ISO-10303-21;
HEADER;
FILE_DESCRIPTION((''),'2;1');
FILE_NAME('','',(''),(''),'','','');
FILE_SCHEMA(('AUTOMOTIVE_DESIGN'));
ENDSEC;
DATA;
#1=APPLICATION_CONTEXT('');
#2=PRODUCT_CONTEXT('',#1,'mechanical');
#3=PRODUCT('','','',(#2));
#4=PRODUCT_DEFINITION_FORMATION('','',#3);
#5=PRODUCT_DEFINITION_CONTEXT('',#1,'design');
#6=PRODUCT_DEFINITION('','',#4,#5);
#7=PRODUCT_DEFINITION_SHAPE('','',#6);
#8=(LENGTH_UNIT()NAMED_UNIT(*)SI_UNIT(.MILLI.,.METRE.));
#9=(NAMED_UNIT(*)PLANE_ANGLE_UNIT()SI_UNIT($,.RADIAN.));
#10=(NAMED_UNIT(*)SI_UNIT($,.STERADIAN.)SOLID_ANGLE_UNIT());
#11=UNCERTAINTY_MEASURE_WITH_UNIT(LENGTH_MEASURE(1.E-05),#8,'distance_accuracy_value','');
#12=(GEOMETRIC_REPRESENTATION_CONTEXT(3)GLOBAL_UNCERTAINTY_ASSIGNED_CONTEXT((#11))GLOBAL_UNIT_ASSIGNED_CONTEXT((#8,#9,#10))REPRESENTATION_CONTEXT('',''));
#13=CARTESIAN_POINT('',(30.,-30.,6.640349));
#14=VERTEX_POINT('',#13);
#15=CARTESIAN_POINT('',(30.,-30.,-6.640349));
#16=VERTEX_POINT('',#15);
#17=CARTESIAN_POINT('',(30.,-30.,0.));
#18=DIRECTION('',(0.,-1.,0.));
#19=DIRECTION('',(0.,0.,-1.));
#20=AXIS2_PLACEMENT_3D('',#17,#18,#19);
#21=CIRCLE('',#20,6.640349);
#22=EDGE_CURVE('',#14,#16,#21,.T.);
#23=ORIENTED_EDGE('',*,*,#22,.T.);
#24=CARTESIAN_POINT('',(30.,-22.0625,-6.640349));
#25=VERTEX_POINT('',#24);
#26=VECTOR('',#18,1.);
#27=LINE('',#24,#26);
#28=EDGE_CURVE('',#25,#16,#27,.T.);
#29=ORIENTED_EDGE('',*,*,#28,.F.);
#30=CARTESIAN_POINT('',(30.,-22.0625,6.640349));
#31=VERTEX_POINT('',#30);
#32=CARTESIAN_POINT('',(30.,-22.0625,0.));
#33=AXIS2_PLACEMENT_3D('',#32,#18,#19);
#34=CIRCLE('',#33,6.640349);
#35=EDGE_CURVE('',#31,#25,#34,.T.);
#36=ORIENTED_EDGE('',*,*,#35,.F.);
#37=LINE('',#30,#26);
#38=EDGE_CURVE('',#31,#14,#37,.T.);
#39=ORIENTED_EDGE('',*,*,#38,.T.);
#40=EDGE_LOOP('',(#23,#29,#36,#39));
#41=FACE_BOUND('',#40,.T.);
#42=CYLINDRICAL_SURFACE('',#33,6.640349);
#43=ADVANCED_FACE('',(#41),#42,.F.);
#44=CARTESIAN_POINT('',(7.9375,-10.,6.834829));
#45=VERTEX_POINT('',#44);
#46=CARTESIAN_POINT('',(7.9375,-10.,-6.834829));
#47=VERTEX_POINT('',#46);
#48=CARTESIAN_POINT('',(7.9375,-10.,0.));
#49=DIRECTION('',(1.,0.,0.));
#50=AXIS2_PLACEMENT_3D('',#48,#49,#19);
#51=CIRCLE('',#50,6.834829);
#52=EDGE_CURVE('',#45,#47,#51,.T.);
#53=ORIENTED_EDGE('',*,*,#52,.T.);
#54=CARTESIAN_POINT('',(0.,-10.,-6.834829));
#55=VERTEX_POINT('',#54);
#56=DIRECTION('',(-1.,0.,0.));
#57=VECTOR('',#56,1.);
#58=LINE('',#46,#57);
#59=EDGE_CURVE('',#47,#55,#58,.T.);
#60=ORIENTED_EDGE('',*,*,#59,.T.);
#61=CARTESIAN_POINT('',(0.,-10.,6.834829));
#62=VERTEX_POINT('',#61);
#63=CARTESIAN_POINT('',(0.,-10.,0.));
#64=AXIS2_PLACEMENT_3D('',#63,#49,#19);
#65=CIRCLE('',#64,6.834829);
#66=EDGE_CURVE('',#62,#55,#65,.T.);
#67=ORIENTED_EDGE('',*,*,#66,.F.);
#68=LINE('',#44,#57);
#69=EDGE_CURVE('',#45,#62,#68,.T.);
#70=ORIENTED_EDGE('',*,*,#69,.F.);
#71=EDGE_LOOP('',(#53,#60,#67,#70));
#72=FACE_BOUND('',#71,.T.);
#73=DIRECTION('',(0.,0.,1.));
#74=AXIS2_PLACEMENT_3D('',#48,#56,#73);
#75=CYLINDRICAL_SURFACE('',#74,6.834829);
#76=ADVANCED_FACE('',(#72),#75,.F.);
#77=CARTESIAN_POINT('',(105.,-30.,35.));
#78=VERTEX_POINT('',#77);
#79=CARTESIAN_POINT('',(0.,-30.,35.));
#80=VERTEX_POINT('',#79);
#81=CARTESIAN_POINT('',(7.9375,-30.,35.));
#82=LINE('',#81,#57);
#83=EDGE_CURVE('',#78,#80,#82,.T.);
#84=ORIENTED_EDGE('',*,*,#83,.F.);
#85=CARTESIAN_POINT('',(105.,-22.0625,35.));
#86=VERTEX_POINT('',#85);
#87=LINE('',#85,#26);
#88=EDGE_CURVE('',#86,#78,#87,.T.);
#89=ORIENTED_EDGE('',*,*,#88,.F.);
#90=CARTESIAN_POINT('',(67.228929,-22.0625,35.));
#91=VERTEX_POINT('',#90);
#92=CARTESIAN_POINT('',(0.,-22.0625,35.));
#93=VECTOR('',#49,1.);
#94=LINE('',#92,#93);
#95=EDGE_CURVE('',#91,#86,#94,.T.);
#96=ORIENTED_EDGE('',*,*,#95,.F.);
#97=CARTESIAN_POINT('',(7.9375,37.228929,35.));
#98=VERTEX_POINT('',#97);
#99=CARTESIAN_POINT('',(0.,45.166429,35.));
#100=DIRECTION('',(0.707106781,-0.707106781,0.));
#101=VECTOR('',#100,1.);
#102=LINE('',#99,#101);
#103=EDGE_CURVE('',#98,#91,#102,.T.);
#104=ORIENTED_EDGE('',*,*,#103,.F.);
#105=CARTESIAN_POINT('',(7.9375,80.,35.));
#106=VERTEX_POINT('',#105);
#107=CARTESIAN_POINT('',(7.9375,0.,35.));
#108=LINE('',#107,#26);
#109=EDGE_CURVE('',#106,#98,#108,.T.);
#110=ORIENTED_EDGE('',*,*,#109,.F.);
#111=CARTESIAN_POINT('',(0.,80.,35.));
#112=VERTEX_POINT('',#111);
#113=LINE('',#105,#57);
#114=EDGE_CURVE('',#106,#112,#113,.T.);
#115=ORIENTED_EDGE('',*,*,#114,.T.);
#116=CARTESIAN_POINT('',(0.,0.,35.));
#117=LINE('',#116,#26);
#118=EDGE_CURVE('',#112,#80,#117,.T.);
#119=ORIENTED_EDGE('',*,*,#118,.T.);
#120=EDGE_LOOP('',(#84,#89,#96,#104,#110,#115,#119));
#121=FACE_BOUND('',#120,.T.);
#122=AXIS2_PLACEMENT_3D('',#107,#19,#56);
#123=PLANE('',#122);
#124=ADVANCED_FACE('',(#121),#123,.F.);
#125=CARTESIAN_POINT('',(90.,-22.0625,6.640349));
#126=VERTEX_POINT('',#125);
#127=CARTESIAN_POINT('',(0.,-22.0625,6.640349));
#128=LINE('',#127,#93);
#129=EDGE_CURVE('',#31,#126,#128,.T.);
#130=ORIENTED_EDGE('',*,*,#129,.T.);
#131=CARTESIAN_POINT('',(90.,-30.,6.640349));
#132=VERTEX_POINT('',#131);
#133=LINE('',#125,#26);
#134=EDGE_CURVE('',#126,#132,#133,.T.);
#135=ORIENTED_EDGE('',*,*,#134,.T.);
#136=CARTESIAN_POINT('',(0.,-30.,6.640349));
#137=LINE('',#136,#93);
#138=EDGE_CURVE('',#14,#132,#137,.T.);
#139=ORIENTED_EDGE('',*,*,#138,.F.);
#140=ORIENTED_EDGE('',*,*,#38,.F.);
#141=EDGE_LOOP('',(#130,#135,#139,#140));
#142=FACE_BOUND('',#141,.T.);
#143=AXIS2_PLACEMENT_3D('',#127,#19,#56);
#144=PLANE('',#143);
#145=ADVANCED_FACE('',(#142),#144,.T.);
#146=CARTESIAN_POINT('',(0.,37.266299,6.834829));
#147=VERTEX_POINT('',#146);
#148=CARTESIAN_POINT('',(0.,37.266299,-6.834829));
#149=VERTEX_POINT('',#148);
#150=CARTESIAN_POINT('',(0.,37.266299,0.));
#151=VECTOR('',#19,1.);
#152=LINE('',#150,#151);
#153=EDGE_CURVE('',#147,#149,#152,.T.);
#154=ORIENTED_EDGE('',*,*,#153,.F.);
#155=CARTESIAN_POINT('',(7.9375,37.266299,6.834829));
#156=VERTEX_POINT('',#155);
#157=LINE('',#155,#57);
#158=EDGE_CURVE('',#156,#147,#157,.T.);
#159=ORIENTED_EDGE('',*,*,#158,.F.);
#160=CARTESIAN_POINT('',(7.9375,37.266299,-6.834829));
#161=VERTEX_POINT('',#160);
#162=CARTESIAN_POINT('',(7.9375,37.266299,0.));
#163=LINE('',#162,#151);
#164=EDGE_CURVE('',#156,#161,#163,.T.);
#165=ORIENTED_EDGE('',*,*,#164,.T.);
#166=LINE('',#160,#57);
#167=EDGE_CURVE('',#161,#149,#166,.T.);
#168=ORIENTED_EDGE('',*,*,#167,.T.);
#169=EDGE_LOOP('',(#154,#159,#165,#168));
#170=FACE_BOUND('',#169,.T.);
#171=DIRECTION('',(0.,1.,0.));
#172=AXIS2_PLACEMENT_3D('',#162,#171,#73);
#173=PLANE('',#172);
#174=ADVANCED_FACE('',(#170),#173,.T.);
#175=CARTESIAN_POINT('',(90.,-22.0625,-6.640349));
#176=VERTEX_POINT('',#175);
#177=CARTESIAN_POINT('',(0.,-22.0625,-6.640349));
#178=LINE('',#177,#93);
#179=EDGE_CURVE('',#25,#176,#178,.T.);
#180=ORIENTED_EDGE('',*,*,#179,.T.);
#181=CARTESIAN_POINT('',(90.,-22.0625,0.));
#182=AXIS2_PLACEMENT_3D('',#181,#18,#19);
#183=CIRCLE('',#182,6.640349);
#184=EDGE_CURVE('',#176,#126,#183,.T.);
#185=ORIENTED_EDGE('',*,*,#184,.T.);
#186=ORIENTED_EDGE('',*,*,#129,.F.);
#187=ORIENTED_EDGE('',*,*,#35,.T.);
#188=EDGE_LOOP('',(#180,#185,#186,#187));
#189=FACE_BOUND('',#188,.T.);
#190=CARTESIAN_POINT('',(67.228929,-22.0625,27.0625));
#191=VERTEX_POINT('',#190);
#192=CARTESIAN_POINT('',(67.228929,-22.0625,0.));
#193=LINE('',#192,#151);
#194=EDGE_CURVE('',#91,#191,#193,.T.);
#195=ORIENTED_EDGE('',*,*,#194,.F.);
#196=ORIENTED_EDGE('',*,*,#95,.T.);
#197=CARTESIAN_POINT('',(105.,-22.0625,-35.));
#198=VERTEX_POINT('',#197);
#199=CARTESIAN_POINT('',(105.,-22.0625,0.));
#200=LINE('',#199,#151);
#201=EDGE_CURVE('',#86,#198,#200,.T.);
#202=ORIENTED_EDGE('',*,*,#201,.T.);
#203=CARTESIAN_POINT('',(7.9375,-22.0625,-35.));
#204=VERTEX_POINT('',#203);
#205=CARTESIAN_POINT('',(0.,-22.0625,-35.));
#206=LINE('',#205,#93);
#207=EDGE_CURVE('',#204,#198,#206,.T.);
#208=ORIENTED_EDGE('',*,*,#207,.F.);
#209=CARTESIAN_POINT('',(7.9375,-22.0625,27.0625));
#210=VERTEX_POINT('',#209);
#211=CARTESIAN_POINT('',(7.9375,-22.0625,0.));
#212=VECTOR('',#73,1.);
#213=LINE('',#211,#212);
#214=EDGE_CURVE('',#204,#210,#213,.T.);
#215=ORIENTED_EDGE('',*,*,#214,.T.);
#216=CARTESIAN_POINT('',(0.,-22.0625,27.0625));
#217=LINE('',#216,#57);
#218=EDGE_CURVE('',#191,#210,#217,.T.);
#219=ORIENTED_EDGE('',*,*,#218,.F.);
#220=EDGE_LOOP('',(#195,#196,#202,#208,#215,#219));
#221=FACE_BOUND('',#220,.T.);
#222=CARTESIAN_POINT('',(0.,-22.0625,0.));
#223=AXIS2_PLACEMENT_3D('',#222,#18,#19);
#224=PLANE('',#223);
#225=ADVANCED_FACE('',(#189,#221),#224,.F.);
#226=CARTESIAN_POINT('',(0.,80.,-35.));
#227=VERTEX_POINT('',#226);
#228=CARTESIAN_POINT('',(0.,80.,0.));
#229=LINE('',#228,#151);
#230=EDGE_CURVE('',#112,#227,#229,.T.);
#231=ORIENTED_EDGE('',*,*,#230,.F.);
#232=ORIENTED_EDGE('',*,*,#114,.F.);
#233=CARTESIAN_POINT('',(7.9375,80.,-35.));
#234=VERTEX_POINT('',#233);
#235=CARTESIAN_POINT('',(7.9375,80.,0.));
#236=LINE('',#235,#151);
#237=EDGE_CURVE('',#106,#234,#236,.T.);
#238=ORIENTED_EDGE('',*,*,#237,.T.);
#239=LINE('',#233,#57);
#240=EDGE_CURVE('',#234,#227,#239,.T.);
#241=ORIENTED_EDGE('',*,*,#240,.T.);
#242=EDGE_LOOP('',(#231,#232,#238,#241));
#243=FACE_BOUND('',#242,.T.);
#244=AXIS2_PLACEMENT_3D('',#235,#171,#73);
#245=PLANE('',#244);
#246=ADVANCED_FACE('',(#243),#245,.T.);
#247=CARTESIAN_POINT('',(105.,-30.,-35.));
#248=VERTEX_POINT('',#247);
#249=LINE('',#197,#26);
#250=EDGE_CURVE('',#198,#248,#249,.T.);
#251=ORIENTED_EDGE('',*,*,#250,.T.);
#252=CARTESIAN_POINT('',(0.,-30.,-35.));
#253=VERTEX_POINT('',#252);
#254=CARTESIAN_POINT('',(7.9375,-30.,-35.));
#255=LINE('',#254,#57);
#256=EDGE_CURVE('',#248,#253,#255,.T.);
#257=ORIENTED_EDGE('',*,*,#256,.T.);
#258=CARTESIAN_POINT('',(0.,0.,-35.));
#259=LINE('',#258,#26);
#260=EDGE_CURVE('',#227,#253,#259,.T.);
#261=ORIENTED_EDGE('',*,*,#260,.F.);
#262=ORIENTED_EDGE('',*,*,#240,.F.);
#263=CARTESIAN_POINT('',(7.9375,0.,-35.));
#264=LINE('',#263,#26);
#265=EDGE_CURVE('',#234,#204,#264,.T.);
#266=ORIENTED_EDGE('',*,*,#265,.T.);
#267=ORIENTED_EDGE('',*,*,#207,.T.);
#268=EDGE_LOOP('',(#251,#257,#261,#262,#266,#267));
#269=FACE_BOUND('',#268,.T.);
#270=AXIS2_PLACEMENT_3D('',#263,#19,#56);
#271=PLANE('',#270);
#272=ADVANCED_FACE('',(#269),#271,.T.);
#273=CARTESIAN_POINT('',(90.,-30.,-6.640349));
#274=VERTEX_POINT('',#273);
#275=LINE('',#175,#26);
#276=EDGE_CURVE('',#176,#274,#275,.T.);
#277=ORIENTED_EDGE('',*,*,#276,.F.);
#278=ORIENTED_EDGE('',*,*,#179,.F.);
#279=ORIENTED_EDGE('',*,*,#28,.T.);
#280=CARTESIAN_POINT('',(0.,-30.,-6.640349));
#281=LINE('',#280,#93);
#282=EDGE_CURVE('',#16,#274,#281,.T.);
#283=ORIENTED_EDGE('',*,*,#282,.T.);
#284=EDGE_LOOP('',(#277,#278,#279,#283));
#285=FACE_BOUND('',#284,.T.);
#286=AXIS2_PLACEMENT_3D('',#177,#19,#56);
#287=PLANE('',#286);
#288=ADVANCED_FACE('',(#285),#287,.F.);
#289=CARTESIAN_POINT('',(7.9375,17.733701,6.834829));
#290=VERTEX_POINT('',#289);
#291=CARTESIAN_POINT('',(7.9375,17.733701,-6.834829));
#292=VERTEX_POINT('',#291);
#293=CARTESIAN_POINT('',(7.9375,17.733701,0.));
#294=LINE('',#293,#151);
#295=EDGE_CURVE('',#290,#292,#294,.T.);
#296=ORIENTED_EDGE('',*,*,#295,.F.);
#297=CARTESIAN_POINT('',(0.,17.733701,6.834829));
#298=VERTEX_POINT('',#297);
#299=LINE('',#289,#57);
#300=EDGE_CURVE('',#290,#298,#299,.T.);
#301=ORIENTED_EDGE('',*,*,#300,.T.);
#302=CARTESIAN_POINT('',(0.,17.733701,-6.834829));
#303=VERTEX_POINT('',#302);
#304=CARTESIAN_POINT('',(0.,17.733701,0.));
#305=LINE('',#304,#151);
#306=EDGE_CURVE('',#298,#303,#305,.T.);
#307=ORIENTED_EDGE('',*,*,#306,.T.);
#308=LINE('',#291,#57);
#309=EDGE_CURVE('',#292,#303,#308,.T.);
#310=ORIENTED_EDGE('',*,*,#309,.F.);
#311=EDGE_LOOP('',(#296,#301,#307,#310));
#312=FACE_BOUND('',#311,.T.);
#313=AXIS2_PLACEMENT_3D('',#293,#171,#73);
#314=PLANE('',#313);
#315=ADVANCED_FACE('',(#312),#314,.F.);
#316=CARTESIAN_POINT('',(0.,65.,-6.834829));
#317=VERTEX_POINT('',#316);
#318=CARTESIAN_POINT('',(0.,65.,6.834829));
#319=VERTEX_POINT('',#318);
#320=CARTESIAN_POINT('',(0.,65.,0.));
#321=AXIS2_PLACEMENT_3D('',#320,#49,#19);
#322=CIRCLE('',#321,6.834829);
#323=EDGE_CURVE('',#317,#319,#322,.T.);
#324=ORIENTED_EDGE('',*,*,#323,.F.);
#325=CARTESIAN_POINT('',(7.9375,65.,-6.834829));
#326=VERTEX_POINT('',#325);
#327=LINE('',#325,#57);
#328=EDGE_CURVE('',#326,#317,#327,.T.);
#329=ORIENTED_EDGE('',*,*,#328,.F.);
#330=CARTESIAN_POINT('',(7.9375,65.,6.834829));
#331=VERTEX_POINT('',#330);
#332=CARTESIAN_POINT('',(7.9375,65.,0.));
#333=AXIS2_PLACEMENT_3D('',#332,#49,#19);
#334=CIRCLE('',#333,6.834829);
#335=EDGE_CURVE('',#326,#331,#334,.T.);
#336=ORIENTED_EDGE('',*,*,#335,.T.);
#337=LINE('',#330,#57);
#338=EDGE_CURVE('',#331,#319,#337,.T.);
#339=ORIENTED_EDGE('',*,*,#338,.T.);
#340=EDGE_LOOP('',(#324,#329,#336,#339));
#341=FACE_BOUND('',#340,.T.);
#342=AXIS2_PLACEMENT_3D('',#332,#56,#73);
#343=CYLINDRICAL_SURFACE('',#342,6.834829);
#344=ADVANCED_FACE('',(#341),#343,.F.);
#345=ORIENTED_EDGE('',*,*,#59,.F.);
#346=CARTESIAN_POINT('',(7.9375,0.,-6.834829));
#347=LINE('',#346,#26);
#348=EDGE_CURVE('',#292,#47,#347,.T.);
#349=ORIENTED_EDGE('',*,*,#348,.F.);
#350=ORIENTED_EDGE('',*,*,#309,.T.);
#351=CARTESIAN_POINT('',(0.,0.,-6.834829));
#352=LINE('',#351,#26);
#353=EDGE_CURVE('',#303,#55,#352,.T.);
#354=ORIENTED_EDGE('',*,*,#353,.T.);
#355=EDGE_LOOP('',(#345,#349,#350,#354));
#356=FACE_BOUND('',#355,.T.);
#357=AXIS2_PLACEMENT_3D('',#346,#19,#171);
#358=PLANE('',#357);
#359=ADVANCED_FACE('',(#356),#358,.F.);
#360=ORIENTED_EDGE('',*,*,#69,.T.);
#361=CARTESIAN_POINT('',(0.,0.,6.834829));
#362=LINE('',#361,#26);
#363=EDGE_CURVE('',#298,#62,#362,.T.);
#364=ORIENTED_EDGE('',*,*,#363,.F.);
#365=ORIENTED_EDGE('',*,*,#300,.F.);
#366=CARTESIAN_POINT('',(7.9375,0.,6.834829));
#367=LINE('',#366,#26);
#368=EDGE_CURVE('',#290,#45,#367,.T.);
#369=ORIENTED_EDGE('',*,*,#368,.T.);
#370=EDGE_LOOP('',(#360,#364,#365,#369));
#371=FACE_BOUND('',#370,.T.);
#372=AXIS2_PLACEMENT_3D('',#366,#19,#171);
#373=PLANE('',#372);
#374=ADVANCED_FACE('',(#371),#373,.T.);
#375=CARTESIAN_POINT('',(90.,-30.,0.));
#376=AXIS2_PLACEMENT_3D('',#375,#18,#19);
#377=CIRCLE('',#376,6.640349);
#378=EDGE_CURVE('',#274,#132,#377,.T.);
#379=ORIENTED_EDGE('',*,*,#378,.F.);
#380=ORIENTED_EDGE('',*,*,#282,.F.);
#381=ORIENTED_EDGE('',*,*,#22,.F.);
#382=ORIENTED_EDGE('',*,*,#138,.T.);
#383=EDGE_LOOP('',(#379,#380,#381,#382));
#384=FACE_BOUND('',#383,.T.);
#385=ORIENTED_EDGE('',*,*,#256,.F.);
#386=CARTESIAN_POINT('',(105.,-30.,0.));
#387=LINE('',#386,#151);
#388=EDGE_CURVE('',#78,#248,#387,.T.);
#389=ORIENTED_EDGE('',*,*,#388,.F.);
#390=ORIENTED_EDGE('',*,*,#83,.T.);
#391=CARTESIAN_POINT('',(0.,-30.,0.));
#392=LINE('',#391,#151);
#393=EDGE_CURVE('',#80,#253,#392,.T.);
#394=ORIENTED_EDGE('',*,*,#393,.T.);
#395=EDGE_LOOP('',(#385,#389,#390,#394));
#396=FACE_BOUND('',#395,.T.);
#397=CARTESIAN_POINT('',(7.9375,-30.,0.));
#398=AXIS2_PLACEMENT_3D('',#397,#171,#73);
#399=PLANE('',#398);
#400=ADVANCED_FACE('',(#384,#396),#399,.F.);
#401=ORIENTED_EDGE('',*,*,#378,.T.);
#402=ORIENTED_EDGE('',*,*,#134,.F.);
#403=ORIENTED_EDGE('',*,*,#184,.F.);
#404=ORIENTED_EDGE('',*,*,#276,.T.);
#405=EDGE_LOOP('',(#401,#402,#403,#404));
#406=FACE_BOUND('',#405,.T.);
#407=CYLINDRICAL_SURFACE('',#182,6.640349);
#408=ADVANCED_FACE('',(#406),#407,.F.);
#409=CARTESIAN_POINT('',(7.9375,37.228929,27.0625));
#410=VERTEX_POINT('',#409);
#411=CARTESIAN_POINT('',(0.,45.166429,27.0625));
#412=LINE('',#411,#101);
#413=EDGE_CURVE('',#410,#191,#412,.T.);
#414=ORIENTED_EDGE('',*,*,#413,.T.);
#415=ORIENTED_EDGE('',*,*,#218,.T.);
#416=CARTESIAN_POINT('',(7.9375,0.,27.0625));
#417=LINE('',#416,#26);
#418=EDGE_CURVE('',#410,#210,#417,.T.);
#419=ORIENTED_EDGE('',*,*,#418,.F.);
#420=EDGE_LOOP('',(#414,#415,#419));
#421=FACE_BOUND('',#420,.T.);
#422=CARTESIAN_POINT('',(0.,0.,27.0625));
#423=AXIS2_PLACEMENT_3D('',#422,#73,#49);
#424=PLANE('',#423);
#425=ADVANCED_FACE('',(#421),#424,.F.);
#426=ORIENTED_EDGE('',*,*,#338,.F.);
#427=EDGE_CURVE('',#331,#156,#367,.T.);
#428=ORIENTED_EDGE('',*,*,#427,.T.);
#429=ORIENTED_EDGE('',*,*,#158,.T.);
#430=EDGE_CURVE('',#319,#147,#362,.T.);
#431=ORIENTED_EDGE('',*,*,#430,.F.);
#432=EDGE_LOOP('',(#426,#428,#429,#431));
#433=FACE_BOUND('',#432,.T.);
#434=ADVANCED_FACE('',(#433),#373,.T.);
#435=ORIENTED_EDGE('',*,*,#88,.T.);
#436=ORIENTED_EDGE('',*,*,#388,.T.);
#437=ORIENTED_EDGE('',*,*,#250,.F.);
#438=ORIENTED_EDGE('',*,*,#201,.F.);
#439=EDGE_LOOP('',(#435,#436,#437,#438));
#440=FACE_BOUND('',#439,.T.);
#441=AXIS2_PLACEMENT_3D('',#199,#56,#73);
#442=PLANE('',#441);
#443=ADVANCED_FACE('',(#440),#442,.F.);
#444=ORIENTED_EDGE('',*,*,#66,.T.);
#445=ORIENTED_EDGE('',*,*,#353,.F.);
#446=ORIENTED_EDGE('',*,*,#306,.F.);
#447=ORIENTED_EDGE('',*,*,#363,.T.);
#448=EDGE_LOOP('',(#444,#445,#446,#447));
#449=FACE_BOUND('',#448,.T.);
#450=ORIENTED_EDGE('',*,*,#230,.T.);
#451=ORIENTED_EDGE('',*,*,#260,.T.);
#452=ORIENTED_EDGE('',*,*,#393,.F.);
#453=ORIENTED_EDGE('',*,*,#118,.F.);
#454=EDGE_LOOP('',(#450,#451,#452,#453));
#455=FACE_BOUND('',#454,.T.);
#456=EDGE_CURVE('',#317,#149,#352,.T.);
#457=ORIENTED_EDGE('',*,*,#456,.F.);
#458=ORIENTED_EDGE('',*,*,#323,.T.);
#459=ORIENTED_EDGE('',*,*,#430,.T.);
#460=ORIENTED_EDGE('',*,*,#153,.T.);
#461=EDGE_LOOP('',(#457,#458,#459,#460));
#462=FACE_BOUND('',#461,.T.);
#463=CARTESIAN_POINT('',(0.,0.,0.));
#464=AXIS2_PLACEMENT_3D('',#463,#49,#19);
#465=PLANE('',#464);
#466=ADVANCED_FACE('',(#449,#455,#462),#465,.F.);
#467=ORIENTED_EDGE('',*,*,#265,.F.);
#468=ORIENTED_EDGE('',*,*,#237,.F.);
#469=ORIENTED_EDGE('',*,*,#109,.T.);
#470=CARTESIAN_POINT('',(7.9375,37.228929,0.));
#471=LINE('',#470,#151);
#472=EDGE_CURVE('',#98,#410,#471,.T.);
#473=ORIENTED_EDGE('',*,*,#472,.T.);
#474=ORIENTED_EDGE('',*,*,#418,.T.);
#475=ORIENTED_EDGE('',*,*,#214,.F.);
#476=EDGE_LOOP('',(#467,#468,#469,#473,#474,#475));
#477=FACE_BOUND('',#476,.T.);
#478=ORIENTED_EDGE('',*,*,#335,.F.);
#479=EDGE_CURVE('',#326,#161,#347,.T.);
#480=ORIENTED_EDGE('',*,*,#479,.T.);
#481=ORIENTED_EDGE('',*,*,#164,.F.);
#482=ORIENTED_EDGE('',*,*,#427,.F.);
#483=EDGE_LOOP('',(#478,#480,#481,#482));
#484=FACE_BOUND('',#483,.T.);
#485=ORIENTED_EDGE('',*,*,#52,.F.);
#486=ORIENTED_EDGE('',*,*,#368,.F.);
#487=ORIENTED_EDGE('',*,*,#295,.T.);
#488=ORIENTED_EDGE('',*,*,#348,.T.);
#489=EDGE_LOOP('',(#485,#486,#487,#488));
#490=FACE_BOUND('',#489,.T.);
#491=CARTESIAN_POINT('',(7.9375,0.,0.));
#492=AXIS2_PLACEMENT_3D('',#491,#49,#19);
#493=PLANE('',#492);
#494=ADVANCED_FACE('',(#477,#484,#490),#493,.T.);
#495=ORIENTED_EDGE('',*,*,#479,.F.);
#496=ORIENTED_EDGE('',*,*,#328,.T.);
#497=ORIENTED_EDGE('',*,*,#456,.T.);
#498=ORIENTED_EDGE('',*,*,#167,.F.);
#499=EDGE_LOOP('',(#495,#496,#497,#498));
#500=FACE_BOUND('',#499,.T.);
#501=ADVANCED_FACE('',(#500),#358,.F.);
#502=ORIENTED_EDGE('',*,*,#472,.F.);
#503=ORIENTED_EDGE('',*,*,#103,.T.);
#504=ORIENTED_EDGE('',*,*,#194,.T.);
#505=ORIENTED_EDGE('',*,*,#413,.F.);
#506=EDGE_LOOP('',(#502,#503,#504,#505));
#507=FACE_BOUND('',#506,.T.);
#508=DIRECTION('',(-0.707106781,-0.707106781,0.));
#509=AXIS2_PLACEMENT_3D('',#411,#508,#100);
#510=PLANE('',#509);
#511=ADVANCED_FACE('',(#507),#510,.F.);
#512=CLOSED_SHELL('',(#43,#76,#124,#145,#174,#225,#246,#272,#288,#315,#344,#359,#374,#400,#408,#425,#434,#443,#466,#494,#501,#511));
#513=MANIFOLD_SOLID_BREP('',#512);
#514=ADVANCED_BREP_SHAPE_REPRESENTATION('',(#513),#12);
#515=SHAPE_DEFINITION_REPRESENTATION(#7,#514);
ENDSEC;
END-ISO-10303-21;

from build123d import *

# Parameters (mm, degrees)
CROQUIS1_W              = 70
CROQUIS1_H              = 110
CROQUIS1_W_2            = 13.66965824
CROQUIS1_H_2            = 19.532598364
SALIENTE_EXTRUIR1_DEPTH = 7.9375
CROQUIS2_W              = 97.0625
CROQUIS2_H              = 70
SALIENTE_EXTRUIR2_DEPTH = 7.9375
SALIENTE_EXTRUIR3_DEPTH = 7.9375


with BuildPart() as part:
    # Croquis1 → Saliente-Extruir1 (new body)
    # profile 1 of 2: a face of its own
    with BuildSketch(Plane(origin=(0, 0, 0), x_dir=(0, 0, -1), z_dir=(1, 0, 0))):
        with Locations((0, 25)):
            Rectangle(CROQUIS1_W, CROQUIS1_H)
        with BuildLine():
            Line((6.83482912, 65), (6.83482912, -10))
            ThreePointArc((6.83482912, -10), (0, -16.83482912), (-6.83482912, -10))
            Line((-6.83482912, -10), (-6.83482912, 65))
            ThreePointArc((-6.83482912, 65), (0, 71.83482912), (6.83482912, 65))
        make_face(mode=Mode.SUBTRACT)
    # profile 2 of 2: a face of its own
    with BuildSketch(Plane(origin=(0, 0, 0), x_dir=(0, 0, -1), z_dir=(1, 0, 0))):
        with Locations((0, 27.5)):
            Rectangle(CROQUIS1_W_2, CROQUIS1_H_2)
    extrude(amount=SALIENTE_EXTRUIR1_DEPTH)

    # Croquis2 → Saliente-Extruir2 (add)
    with BuildSketch(Plane.XZ.offset(30)):
        with Locations((56.46875, 0)):
            Rectangle(CROQUIS2_W, CROQUIS2_H)
        with BuildLine():
            ThreePointArc((30, -6.640349162), (23.359650838, 0), (30, 6.640349162))
            Line((30, 6.640349162), (90, 6.640349162))
            ThreePointArc((90, 6.640349162), (96.640349162, 0), (90, -6.640349162))
            Line((90, -6.640349162), (30, -6.640349162))
        make_face(mode=Mode.SUBTRACT)
    extrude(amount=-SALIENTE_EXTRUIR2_DEPTH)

    # Croquis3 → Saliente-Extruir3 (add)
    with BuildSketch(Plane(origin=(0, 0, 35), x_dir=(-1, 0, 0), z_dir=(0, 0, -1))):
        Polygon((0, 45.166428926), (-75.166428926, -30), (0, -30), align=None)
    extrude(amount=SALIENTE_EXTRUIR3_DEPTH)


solid = part.part
